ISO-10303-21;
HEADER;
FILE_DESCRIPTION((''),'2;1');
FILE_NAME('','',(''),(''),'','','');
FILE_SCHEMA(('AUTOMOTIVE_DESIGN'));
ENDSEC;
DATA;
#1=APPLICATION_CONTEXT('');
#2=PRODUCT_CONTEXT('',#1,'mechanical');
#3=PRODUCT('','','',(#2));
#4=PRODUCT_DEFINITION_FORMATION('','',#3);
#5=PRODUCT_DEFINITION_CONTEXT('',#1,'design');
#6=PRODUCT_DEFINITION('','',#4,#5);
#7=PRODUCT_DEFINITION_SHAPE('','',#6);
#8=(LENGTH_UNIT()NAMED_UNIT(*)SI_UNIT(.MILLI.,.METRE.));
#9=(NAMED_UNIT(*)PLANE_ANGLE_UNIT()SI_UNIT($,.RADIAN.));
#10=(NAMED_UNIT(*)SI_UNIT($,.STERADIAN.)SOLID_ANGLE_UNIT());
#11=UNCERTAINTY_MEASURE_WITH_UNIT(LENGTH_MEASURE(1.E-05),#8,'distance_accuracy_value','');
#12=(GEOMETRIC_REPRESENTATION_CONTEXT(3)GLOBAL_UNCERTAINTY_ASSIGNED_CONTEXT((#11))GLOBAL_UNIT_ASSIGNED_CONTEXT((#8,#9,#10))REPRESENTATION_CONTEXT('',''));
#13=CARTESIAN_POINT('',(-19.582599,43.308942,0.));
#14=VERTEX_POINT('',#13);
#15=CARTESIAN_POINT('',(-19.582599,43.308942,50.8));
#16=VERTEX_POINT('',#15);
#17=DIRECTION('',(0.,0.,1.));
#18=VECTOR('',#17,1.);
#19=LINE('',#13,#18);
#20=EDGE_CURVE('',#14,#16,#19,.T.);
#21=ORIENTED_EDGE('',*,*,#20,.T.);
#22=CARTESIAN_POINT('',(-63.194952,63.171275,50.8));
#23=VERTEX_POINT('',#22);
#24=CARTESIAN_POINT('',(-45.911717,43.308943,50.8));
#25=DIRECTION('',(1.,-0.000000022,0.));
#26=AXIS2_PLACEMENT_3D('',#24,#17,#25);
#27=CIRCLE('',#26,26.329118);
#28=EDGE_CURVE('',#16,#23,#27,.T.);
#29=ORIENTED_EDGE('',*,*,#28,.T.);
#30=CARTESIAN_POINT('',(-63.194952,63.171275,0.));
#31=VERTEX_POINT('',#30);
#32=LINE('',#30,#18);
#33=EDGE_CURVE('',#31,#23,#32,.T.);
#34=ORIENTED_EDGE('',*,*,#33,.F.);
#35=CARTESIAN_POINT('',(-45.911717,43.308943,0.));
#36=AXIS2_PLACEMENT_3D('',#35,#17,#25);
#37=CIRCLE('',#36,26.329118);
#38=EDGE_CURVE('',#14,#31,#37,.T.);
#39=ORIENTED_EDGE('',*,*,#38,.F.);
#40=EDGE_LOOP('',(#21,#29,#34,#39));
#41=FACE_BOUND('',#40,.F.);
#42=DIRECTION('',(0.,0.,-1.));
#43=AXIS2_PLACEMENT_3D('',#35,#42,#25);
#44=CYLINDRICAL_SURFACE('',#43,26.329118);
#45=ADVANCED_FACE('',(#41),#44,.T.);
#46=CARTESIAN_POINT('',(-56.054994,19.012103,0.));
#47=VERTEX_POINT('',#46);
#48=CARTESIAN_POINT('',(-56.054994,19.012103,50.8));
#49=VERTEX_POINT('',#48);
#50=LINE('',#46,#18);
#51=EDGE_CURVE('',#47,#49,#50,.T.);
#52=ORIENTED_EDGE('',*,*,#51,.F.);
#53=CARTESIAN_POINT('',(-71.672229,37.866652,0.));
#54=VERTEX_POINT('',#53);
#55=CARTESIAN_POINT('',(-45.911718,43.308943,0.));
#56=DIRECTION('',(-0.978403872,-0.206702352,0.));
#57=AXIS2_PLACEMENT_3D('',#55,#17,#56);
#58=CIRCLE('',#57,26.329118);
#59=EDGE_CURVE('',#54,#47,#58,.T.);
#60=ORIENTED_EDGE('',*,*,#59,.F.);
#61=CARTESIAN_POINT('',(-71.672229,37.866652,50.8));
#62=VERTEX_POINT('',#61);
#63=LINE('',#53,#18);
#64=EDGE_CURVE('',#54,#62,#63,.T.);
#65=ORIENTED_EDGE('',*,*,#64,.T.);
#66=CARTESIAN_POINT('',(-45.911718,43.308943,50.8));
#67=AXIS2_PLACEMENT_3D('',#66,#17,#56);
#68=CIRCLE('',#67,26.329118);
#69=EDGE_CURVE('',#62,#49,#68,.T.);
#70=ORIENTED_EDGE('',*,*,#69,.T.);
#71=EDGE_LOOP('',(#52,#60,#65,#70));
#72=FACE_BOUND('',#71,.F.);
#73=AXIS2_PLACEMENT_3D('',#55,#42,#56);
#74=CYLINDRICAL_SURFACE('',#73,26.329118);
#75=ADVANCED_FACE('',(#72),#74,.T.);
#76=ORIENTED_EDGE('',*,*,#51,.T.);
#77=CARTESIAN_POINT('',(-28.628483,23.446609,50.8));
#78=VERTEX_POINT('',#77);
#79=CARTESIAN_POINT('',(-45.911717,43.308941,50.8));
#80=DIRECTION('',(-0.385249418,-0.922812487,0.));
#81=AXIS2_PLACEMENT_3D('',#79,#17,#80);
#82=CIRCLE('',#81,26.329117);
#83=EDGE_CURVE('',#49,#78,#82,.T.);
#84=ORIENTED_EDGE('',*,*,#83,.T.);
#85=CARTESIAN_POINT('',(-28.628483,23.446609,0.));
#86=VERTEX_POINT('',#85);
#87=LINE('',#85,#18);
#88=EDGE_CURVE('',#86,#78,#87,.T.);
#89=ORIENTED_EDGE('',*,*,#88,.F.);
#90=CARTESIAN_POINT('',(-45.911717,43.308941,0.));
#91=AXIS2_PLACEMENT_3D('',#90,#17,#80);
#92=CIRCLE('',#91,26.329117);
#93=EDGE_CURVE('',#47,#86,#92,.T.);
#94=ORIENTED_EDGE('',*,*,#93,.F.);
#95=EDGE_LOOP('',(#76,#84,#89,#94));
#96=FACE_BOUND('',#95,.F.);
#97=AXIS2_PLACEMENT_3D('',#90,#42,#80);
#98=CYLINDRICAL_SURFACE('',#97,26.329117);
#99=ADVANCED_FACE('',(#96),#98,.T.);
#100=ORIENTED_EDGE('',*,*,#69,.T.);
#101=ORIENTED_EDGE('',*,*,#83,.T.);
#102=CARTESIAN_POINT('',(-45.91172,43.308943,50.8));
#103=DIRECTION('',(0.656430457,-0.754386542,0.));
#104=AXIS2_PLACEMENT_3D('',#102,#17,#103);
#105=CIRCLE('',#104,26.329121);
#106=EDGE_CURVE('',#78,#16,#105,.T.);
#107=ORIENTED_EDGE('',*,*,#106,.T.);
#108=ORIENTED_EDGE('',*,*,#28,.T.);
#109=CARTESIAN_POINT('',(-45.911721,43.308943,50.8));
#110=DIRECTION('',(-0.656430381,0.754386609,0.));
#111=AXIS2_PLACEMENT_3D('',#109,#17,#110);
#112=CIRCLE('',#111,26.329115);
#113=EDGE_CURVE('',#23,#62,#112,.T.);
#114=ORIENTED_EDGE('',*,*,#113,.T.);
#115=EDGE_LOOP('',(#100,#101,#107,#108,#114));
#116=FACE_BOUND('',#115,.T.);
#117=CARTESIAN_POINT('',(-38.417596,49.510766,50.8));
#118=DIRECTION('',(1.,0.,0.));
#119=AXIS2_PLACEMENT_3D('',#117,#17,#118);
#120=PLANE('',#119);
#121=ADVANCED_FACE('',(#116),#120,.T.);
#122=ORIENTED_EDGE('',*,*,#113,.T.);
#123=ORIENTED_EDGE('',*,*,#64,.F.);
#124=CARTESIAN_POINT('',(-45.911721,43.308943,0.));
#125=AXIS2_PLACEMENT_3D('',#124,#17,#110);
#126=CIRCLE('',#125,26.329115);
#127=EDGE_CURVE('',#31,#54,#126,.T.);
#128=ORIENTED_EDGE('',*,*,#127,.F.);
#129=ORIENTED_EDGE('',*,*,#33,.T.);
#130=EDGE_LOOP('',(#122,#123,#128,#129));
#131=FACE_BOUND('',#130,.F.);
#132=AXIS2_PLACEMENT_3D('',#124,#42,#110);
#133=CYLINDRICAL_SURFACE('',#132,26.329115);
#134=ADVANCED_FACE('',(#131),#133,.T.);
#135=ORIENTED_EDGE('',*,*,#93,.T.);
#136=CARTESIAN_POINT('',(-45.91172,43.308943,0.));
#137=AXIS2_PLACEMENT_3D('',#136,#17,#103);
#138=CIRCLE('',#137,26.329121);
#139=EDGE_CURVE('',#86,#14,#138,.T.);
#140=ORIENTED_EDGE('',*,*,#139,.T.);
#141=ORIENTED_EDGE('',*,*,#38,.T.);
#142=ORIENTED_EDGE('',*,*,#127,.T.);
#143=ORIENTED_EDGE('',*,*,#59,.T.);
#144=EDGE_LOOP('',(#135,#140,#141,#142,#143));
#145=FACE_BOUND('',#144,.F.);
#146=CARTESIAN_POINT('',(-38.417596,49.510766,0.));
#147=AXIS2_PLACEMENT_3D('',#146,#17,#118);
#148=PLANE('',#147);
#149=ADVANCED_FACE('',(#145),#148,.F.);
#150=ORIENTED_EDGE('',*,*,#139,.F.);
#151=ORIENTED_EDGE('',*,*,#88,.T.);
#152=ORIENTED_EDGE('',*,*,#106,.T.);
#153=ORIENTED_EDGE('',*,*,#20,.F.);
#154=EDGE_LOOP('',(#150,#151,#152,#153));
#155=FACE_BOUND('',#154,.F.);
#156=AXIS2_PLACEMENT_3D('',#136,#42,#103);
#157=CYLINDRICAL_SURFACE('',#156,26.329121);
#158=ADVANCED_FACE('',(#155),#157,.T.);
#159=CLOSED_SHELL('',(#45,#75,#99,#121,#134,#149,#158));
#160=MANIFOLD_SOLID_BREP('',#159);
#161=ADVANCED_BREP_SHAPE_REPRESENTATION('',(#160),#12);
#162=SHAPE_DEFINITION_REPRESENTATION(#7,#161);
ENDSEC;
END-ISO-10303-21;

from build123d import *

# Parameters (mm, degrees)
F1_DEPTH = 50.8


with BuildPart() as f1:
    # F0 (on Top) → F1 (new body)
    with BuildSketch(Plane.XY):
        with BuildLine():
            ThreePointArc((-28.628483, 23.446609), (-21.950553, 32.396332), (-19.582599, 43.308942))
            ThreePointArc((-19.582599, 43.308942), (-34.999107, 67.270107), (-63.194952, 63.171275))
            Line((-63.194952, 63.171275), (-54.316911, 52.968404))
            Line((-54.316911, 52.968404), (-52.872185, 51.308089))
            Line((-52.872185, 51.308089), (-38.250614, 34.504607))
            Line((-38.250614, 34.504607), (-28.628483, 23.446609))
        make_face()
        with BuildLine():
            Line((-54.316911, 52.968404), (-71.672229, 37.866652))
            ThreePointArc((-71.672229, 37.866652), (-66.188404, 26.513751), (-56.054994, 19.012103))
            Line((-56.054994, 19.012103), (-38.250614, 34.504607))
            Line((-38.250614, 34.504607), (-52.872185, 51.308089))
            Line((-52.872185, 51.308089), (-54.316911, 52.968404))
        make_face()
        with BuildLine():
            Line((-54.316911, 52.968404), (-63.194952, 63.171275))
            ThreePointArc((-63.194952, 63.171275), (-70.877134, 51.672582), (-71.672229, 37.866652))
            Line((-71.672229, 37.866652), (-54.316911, 52.968404))
        make_face()
        with BuildLine():
            ThreePointArc((-56.054994, 19.012103), (-41.709223, 17.317376), (-28.628483, 23.446609))
            Line((-28.628483, 23.446609), (-38.250614, 34.504607))
            Line((-38.250614, 34.504607), (-56.054994, 19.012103))
        make_face()
    extrude(amount=F1_DEPTH)


solid = f1.part
